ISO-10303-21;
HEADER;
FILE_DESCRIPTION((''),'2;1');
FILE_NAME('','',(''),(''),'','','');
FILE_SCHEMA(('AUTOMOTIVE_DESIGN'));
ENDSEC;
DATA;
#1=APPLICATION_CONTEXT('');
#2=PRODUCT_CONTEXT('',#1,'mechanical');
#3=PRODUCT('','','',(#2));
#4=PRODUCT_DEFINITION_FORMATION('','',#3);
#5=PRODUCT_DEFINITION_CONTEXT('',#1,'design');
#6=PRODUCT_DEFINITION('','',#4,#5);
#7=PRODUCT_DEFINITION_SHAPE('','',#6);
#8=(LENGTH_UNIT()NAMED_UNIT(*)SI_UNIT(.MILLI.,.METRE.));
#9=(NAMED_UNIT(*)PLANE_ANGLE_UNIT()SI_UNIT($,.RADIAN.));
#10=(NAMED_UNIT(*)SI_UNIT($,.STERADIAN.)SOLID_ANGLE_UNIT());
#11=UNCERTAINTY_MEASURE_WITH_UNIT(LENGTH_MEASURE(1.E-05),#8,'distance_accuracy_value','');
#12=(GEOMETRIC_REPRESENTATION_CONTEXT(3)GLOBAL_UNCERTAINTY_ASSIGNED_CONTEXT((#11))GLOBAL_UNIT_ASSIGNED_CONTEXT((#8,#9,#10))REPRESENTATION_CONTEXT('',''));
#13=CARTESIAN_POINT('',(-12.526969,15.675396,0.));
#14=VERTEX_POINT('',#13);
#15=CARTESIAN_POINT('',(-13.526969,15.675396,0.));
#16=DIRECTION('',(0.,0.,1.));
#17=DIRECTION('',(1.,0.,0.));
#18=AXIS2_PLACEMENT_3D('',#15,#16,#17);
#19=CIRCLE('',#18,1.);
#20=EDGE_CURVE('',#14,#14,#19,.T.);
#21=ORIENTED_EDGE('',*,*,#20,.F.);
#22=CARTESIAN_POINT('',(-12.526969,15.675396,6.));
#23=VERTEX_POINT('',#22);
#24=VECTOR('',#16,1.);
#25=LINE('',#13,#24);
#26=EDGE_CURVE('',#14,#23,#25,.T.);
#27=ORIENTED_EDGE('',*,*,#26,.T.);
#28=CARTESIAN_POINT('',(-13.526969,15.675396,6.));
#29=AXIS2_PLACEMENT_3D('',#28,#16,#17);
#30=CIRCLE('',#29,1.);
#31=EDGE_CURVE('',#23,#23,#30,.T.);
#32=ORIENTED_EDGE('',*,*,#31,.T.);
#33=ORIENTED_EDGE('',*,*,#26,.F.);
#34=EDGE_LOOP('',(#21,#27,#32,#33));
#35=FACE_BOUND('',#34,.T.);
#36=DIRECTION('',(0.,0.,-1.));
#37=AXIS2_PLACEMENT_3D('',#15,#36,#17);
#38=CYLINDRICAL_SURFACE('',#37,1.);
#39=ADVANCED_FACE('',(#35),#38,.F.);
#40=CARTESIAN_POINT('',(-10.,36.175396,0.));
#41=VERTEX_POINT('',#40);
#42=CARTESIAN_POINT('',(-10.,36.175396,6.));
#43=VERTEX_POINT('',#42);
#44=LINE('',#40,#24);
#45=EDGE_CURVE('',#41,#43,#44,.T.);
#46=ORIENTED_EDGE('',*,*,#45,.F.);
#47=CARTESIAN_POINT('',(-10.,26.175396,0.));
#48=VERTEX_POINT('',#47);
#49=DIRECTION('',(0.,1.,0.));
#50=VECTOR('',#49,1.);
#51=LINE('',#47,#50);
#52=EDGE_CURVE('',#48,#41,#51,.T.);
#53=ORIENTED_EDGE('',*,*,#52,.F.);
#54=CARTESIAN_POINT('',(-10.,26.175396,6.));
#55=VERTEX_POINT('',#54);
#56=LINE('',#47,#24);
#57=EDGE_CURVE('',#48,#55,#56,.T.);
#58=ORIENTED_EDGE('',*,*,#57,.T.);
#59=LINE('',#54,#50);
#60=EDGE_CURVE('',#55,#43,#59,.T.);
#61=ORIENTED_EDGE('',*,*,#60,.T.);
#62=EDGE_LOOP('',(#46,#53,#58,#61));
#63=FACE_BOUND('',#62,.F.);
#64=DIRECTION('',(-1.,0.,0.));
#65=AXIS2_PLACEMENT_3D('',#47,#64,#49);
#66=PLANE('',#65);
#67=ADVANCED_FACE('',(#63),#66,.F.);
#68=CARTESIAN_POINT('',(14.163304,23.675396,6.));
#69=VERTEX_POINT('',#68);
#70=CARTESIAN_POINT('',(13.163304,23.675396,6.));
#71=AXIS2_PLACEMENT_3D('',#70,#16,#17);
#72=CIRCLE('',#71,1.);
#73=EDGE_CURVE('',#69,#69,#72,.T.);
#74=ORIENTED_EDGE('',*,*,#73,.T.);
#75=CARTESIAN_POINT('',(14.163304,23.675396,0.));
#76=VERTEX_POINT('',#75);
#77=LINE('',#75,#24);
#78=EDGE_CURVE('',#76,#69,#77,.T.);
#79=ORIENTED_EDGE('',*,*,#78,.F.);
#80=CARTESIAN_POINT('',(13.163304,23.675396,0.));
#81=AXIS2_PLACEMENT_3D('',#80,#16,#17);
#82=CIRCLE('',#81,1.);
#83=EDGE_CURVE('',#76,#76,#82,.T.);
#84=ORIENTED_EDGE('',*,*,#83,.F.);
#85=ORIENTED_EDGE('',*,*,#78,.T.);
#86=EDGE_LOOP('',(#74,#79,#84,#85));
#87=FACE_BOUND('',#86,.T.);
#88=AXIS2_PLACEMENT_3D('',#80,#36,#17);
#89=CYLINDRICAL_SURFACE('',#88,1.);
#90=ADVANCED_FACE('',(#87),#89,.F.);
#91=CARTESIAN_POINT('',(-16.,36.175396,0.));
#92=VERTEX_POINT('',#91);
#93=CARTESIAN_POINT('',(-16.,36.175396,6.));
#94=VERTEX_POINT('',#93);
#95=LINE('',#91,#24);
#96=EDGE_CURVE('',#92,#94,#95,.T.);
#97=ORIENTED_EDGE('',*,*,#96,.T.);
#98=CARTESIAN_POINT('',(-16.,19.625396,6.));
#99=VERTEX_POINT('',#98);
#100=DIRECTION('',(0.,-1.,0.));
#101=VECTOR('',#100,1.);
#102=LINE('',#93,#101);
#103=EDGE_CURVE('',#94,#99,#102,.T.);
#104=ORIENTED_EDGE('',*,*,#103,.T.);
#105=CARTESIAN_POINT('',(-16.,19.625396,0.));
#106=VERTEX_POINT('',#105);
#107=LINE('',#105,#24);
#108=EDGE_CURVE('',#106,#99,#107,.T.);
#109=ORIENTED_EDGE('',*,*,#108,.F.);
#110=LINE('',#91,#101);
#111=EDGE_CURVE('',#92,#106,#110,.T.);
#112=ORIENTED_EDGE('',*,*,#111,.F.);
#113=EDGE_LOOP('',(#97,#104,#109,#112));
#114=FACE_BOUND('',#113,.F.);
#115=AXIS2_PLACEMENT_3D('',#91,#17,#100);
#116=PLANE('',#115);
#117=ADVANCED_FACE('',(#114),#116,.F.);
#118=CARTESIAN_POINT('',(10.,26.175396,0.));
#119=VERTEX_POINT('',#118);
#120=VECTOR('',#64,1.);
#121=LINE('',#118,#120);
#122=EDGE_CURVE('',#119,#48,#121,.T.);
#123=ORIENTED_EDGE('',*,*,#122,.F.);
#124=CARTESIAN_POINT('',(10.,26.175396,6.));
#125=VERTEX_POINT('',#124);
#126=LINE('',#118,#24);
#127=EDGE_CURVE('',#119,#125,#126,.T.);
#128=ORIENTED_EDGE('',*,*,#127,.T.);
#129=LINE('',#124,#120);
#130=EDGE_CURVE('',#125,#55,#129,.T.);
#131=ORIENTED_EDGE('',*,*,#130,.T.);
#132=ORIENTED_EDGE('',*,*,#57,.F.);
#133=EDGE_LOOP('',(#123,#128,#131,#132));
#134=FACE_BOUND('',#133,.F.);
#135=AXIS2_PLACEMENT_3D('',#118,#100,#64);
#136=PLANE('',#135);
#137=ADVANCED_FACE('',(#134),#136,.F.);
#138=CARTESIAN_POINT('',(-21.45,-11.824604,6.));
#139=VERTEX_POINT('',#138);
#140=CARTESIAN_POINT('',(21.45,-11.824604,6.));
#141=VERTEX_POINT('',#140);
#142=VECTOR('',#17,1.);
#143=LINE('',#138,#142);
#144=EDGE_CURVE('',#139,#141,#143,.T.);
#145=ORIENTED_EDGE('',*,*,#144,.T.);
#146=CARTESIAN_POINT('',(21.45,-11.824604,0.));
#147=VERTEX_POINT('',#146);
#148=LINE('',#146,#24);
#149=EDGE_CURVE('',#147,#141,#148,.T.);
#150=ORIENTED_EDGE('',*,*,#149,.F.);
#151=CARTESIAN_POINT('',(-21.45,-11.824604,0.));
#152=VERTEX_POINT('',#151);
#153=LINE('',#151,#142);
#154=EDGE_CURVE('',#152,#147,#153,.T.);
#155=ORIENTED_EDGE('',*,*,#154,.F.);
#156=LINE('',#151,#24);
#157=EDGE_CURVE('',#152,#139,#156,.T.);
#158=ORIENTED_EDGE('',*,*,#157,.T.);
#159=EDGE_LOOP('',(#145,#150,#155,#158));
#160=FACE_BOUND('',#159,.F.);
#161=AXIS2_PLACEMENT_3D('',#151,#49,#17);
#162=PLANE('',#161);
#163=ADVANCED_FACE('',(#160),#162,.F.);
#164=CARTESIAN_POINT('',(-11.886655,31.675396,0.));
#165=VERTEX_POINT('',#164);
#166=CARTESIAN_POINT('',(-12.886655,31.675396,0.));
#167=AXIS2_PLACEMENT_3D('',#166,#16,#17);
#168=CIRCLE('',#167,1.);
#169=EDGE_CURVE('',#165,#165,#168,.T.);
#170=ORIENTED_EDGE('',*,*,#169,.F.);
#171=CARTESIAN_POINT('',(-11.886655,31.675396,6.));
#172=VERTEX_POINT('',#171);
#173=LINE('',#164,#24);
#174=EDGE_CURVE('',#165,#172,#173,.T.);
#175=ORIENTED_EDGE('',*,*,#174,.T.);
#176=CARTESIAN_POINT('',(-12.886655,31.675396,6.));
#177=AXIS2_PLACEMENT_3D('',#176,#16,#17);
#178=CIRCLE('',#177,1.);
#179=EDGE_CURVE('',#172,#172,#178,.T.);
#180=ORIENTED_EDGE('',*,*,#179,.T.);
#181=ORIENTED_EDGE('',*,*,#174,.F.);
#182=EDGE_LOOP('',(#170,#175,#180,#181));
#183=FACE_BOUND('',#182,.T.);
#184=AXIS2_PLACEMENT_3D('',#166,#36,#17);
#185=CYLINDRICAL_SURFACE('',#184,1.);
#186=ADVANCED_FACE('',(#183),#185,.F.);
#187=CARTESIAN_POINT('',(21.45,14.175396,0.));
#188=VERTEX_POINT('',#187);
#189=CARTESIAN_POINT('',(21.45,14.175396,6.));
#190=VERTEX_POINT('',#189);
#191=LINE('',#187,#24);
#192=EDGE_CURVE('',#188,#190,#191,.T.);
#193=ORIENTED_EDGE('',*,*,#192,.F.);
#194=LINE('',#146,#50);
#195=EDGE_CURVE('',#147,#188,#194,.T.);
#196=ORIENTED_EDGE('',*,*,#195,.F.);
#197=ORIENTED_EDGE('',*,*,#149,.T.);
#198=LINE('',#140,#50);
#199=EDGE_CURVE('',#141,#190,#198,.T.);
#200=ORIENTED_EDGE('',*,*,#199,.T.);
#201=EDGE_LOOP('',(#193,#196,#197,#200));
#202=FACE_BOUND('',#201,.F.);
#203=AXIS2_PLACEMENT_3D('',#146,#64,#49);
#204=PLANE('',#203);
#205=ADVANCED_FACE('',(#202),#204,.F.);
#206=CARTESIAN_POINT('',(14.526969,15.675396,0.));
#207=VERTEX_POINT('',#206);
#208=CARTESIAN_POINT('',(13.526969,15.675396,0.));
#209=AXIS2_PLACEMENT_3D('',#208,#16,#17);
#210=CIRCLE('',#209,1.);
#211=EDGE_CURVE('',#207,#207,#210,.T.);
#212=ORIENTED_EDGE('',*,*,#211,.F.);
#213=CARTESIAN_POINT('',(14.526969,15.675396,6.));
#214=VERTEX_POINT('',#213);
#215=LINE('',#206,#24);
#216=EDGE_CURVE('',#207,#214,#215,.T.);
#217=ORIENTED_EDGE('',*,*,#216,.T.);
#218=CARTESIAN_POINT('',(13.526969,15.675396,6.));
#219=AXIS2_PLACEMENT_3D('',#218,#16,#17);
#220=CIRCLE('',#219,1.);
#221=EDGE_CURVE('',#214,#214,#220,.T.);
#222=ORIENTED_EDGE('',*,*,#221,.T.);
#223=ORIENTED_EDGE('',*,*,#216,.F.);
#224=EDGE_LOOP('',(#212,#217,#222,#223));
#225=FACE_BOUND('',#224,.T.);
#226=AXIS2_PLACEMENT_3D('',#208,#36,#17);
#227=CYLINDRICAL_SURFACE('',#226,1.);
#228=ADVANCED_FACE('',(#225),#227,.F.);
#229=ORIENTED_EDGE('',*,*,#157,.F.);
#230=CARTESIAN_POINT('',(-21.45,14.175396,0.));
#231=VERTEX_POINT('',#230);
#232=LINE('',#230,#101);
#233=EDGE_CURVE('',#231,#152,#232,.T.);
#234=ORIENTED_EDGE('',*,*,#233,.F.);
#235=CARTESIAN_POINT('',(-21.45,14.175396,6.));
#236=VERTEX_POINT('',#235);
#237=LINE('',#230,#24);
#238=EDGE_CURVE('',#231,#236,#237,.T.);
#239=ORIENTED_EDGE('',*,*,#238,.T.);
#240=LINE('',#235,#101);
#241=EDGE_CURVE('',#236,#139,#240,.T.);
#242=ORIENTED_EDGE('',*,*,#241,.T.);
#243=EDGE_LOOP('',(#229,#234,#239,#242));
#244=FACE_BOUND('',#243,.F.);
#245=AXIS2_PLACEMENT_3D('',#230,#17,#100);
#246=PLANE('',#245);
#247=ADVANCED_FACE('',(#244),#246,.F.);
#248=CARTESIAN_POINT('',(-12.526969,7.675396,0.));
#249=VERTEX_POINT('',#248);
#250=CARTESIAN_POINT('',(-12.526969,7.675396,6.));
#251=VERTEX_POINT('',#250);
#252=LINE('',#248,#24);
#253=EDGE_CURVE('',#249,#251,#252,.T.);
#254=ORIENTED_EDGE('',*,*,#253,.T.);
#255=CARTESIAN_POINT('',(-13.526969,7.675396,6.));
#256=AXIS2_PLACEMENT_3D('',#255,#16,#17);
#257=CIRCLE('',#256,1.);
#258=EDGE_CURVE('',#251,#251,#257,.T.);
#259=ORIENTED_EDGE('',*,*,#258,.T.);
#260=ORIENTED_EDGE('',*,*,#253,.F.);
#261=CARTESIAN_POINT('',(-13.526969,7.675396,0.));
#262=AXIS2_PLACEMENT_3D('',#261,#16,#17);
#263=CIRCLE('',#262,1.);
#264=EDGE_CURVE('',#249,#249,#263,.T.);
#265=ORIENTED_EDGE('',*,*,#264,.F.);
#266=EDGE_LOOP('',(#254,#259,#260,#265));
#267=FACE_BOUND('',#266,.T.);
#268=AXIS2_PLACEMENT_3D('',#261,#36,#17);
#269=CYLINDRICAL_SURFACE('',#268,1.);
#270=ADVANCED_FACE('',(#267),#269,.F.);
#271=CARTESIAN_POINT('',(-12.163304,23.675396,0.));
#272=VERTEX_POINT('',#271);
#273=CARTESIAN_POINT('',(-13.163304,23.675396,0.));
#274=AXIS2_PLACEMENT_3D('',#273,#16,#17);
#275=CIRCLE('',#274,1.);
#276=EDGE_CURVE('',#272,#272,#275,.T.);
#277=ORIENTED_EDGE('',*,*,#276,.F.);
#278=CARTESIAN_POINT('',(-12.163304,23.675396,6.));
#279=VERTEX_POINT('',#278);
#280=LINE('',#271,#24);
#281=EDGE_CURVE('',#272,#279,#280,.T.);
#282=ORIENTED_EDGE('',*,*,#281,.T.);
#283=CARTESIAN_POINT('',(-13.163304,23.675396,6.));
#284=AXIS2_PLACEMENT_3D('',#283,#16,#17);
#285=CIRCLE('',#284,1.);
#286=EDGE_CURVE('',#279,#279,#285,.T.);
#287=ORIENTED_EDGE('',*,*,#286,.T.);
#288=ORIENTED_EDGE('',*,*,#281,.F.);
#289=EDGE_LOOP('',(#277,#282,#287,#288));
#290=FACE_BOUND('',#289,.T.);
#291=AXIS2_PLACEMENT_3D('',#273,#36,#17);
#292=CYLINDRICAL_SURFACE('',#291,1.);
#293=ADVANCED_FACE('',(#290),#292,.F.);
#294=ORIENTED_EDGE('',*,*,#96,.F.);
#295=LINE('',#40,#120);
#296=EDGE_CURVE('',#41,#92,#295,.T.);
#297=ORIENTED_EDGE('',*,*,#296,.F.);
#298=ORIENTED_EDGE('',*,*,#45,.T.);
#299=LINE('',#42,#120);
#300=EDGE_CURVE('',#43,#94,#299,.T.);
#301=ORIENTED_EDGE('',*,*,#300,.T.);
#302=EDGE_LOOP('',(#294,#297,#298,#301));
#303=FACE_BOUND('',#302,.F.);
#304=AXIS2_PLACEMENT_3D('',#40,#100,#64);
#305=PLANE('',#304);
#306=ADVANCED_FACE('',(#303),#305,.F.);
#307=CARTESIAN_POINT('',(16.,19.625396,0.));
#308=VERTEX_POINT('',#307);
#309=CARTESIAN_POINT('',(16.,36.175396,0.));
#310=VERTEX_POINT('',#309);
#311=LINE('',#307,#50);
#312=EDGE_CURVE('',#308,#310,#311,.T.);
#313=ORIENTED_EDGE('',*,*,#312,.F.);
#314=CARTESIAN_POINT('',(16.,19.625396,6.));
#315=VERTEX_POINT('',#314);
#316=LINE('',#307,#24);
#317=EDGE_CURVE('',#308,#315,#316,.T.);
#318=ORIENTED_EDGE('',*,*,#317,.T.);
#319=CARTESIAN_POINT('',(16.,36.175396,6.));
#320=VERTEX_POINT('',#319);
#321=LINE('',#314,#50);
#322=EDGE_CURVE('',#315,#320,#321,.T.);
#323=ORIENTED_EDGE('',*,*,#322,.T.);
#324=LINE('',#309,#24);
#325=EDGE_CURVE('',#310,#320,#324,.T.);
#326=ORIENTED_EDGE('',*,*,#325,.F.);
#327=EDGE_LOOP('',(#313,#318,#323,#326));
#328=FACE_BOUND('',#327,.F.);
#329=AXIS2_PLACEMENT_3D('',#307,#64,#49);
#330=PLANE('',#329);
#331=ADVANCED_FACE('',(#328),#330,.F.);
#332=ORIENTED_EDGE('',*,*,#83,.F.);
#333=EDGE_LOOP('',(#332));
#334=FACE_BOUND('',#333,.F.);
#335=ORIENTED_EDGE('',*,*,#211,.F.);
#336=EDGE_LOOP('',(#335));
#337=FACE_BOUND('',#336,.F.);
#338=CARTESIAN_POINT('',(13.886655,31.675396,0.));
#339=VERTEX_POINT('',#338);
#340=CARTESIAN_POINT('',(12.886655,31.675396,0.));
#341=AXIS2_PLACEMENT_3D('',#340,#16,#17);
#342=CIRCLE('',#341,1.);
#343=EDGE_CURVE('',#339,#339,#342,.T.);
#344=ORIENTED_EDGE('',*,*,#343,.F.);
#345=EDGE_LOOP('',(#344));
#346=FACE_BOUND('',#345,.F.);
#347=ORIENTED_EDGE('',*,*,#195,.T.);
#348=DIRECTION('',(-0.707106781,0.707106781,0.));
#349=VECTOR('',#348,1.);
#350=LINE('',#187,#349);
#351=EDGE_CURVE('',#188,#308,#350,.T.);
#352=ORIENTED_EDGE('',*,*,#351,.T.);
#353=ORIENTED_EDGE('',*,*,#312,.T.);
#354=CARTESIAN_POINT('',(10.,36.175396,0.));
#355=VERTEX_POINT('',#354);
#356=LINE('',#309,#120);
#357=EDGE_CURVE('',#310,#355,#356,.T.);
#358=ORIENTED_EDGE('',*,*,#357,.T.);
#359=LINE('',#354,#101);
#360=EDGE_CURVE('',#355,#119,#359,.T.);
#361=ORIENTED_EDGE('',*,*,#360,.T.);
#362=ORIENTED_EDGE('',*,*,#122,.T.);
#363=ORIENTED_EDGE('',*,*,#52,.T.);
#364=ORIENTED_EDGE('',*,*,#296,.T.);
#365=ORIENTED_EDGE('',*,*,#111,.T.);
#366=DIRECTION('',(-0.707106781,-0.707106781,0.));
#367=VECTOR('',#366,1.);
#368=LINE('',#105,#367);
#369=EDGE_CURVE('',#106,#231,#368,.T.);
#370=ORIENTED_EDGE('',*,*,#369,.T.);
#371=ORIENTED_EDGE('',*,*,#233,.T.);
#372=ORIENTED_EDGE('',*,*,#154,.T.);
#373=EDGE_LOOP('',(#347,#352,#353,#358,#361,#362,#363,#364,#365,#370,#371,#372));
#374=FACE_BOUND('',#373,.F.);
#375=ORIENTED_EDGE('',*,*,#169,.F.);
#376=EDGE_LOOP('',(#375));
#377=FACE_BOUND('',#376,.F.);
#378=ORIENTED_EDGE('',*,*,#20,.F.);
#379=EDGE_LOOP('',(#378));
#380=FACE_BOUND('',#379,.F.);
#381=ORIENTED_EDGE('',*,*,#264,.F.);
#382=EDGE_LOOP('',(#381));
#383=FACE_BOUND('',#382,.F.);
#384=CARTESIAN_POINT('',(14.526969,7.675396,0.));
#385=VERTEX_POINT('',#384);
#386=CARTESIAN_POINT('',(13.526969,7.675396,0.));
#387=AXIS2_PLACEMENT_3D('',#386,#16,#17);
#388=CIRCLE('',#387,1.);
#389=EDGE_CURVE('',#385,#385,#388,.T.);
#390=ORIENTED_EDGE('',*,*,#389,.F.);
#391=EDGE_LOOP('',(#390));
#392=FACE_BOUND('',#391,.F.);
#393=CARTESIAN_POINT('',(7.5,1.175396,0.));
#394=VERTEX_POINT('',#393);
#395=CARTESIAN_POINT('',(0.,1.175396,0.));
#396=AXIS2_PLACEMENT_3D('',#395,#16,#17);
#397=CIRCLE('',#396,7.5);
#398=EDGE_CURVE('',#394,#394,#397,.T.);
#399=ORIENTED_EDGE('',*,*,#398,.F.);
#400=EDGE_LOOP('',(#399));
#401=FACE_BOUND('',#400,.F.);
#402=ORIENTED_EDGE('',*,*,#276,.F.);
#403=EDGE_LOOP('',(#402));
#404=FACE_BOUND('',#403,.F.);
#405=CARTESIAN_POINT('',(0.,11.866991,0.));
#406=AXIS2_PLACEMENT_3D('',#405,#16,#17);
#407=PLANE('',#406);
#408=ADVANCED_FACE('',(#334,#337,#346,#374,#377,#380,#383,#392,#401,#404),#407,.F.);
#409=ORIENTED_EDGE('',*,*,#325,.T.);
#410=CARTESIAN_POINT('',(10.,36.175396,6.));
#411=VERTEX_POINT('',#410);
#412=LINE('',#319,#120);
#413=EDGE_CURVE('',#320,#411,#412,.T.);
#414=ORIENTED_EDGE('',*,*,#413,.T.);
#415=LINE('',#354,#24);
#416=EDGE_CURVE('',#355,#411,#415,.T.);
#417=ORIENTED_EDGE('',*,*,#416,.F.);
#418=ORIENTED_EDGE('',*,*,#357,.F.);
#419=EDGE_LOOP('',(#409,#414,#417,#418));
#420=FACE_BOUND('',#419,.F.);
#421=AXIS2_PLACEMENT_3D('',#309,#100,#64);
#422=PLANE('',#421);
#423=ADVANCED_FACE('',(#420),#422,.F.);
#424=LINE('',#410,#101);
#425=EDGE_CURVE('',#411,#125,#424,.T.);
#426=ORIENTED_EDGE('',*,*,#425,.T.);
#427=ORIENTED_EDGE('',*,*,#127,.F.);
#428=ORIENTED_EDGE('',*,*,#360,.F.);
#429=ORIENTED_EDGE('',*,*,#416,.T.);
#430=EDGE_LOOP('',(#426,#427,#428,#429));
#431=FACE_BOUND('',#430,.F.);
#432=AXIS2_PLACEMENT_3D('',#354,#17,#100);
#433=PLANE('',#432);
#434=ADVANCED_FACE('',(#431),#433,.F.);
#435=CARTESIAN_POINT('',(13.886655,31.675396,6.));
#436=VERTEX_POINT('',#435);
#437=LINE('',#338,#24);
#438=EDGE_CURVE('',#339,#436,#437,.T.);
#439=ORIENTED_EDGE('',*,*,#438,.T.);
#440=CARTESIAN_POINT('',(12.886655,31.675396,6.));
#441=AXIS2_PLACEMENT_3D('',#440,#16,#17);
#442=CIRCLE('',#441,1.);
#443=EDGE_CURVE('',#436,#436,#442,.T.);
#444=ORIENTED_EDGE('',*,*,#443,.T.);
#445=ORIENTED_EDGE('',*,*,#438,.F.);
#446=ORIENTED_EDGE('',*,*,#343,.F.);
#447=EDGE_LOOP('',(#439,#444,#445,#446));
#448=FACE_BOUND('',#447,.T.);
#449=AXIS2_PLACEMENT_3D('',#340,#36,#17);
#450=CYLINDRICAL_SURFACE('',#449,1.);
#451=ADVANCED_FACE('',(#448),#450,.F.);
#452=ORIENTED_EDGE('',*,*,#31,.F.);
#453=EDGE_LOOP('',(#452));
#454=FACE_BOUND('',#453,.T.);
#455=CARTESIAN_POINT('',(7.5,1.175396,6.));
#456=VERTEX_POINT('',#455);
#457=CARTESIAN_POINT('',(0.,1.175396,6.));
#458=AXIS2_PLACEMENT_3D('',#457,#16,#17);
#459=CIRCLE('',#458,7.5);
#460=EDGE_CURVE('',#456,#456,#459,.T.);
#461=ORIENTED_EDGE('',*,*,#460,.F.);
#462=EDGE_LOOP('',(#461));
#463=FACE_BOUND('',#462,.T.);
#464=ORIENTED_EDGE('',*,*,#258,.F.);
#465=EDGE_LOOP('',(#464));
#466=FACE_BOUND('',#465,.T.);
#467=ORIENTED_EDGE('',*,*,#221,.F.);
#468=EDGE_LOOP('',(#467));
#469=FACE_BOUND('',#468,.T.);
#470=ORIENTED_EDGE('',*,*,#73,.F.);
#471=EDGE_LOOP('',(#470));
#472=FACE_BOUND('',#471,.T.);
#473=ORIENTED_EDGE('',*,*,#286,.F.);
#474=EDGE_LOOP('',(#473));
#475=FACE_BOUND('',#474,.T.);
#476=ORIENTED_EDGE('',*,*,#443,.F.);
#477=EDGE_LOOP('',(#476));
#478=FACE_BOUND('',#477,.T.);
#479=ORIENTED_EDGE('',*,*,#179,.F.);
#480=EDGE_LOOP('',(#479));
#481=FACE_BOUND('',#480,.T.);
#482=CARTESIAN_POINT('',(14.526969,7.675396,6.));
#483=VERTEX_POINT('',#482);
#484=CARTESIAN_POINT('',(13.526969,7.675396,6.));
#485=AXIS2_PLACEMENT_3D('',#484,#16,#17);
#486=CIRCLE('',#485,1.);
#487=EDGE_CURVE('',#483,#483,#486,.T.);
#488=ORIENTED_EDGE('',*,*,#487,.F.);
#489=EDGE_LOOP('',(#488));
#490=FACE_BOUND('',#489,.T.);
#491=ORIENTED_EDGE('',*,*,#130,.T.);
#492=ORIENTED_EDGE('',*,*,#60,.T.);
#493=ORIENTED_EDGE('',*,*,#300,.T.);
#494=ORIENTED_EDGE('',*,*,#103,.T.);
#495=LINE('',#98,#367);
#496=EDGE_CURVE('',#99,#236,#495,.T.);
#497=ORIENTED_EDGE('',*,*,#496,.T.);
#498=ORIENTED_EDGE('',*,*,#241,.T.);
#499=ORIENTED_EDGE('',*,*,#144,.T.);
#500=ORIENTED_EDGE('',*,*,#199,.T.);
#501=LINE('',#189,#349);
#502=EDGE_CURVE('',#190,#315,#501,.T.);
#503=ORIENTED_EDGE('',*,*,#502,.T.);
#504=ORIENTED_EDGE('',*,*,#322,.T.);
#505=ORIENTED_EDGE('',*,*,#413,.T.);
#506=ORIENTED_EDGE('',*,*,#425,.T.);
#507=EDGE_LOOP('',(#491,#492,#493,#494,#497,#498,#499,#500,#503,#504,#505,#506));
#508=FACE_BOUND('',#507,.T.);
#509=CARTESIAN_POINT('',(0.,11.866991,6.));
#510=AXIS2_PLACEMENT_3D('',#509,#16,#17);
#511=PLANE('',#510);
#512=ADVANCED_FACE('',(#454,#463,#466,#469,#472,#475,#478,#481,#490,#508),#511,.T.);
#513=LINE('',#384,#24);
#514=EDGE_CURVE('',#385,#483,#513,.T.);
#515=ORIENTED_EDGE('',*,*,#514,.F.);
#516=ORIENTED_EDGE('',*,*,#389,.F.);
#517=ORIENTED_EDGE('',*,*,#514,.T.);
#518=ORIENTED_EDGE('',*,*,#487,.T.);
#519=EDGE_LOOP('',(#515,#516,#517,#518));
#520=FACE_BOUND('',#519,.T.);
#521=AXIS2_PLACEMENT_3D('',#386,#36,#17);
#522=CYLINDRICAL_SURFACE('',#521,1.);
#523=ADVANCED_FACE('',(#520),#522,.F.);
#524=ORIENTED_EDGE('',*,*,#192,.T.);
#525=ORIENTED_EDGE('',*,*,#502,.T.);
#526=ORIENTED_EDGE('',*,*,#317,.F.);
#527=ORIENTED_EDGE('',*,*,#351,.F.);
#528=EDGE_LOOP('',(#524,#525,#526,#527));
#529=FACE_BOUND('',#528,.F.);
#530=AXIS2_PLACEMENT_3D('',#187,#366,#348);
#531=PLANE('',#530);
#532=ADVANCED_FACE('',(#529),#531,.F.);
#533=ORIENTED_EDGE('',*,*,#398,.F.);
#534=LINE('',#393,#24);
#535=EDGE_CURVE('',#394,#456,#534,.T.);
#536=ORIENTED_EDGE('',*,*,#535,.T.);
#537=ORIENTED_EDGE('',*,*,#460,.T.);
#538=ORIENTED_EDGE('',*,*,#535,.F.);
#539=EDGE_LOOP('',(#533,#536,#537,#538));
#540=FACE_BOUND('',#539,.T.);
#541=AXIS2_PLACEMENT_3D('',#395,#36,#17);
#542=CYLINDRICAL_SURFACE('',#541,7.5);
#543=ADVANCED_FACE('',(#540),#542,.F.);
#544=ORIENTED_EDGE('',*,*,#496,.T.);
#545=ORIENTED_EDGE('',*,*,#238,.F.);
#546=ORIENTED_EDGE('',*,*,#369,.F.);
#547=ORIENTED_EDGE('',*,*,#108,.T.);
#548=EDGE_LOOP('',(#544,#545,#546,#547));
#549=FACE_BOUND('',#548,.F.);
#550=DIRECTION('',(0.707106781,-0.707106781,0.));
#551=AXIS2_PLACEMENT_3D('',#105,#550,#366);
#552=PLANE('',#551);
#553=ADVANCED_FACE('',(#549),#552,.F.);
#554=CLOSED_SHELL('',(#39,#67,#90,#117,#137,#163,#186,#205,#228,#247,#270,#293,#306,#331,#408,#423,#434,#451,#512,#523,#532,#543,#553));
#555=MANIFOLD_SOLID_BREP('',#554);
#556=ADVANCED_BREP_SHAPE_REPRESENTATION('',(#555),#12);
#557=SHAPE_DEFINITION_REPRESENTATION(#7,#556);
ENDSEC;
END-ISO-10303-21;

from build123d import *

# Parameters (mm, degrees)
F0_R     = 1
F0_R_2   = 7.5
F1_DEPTH = 6


with BuildPart() as f1:
    # F0 (on Top) → F1 (new body)
    with BuildSketch(Plane.XY):
        Polygon((-10, 36.175396), (-16, 36.175396), (-16, 19.625396), (-21.45, 14.175396), (-21.45, -11.824604), (21.45, -11.824604), (21.45, 14.175396), (16, 19.625396), (16, 36.175396), (10, 36.175396), (10, 26.175396), (-10, 26.175396), align=None)
        with Locations((-13.526969, 7.675396)):
            Circle(F0_R, mode=Mode.SUBTRACT)
        with Locations((0, 1.175396)):
            Circle(F0_R_2, mode=Mode.SUBTRACT)
        with Locations((13.526969, 7.675396)):
            Circle(F0_R, mode=Mode.SUBTRACT)
        with Locations((-13.526969, 15.675396)):
            Circle(F0_R, mode=Mode.SUBTRACT)
        with Locations((-13.163304, 23.675396)):
            Circle(F0_R, mode=Mode.SUBTRACT)
        with Locations((-12.886655, 31.675396)):
            Circle(F0_R, mode=Mode.SUBTRACT)
        with Locations((13.526969, 15.675396)):
            Circle(F0_R, mode=Mode.SUBTRACT)
        with Locations((13.163304, 23.675396)):
            Circle(F0_R, mode=Mode.SUBTRACT)
        with Locations((12.886655, 31.675396)):
            Circle(F0_R, mode=Mode.SUBTRACT)
    extrude(amount=F1_DEPTH)


solid = f1.part
